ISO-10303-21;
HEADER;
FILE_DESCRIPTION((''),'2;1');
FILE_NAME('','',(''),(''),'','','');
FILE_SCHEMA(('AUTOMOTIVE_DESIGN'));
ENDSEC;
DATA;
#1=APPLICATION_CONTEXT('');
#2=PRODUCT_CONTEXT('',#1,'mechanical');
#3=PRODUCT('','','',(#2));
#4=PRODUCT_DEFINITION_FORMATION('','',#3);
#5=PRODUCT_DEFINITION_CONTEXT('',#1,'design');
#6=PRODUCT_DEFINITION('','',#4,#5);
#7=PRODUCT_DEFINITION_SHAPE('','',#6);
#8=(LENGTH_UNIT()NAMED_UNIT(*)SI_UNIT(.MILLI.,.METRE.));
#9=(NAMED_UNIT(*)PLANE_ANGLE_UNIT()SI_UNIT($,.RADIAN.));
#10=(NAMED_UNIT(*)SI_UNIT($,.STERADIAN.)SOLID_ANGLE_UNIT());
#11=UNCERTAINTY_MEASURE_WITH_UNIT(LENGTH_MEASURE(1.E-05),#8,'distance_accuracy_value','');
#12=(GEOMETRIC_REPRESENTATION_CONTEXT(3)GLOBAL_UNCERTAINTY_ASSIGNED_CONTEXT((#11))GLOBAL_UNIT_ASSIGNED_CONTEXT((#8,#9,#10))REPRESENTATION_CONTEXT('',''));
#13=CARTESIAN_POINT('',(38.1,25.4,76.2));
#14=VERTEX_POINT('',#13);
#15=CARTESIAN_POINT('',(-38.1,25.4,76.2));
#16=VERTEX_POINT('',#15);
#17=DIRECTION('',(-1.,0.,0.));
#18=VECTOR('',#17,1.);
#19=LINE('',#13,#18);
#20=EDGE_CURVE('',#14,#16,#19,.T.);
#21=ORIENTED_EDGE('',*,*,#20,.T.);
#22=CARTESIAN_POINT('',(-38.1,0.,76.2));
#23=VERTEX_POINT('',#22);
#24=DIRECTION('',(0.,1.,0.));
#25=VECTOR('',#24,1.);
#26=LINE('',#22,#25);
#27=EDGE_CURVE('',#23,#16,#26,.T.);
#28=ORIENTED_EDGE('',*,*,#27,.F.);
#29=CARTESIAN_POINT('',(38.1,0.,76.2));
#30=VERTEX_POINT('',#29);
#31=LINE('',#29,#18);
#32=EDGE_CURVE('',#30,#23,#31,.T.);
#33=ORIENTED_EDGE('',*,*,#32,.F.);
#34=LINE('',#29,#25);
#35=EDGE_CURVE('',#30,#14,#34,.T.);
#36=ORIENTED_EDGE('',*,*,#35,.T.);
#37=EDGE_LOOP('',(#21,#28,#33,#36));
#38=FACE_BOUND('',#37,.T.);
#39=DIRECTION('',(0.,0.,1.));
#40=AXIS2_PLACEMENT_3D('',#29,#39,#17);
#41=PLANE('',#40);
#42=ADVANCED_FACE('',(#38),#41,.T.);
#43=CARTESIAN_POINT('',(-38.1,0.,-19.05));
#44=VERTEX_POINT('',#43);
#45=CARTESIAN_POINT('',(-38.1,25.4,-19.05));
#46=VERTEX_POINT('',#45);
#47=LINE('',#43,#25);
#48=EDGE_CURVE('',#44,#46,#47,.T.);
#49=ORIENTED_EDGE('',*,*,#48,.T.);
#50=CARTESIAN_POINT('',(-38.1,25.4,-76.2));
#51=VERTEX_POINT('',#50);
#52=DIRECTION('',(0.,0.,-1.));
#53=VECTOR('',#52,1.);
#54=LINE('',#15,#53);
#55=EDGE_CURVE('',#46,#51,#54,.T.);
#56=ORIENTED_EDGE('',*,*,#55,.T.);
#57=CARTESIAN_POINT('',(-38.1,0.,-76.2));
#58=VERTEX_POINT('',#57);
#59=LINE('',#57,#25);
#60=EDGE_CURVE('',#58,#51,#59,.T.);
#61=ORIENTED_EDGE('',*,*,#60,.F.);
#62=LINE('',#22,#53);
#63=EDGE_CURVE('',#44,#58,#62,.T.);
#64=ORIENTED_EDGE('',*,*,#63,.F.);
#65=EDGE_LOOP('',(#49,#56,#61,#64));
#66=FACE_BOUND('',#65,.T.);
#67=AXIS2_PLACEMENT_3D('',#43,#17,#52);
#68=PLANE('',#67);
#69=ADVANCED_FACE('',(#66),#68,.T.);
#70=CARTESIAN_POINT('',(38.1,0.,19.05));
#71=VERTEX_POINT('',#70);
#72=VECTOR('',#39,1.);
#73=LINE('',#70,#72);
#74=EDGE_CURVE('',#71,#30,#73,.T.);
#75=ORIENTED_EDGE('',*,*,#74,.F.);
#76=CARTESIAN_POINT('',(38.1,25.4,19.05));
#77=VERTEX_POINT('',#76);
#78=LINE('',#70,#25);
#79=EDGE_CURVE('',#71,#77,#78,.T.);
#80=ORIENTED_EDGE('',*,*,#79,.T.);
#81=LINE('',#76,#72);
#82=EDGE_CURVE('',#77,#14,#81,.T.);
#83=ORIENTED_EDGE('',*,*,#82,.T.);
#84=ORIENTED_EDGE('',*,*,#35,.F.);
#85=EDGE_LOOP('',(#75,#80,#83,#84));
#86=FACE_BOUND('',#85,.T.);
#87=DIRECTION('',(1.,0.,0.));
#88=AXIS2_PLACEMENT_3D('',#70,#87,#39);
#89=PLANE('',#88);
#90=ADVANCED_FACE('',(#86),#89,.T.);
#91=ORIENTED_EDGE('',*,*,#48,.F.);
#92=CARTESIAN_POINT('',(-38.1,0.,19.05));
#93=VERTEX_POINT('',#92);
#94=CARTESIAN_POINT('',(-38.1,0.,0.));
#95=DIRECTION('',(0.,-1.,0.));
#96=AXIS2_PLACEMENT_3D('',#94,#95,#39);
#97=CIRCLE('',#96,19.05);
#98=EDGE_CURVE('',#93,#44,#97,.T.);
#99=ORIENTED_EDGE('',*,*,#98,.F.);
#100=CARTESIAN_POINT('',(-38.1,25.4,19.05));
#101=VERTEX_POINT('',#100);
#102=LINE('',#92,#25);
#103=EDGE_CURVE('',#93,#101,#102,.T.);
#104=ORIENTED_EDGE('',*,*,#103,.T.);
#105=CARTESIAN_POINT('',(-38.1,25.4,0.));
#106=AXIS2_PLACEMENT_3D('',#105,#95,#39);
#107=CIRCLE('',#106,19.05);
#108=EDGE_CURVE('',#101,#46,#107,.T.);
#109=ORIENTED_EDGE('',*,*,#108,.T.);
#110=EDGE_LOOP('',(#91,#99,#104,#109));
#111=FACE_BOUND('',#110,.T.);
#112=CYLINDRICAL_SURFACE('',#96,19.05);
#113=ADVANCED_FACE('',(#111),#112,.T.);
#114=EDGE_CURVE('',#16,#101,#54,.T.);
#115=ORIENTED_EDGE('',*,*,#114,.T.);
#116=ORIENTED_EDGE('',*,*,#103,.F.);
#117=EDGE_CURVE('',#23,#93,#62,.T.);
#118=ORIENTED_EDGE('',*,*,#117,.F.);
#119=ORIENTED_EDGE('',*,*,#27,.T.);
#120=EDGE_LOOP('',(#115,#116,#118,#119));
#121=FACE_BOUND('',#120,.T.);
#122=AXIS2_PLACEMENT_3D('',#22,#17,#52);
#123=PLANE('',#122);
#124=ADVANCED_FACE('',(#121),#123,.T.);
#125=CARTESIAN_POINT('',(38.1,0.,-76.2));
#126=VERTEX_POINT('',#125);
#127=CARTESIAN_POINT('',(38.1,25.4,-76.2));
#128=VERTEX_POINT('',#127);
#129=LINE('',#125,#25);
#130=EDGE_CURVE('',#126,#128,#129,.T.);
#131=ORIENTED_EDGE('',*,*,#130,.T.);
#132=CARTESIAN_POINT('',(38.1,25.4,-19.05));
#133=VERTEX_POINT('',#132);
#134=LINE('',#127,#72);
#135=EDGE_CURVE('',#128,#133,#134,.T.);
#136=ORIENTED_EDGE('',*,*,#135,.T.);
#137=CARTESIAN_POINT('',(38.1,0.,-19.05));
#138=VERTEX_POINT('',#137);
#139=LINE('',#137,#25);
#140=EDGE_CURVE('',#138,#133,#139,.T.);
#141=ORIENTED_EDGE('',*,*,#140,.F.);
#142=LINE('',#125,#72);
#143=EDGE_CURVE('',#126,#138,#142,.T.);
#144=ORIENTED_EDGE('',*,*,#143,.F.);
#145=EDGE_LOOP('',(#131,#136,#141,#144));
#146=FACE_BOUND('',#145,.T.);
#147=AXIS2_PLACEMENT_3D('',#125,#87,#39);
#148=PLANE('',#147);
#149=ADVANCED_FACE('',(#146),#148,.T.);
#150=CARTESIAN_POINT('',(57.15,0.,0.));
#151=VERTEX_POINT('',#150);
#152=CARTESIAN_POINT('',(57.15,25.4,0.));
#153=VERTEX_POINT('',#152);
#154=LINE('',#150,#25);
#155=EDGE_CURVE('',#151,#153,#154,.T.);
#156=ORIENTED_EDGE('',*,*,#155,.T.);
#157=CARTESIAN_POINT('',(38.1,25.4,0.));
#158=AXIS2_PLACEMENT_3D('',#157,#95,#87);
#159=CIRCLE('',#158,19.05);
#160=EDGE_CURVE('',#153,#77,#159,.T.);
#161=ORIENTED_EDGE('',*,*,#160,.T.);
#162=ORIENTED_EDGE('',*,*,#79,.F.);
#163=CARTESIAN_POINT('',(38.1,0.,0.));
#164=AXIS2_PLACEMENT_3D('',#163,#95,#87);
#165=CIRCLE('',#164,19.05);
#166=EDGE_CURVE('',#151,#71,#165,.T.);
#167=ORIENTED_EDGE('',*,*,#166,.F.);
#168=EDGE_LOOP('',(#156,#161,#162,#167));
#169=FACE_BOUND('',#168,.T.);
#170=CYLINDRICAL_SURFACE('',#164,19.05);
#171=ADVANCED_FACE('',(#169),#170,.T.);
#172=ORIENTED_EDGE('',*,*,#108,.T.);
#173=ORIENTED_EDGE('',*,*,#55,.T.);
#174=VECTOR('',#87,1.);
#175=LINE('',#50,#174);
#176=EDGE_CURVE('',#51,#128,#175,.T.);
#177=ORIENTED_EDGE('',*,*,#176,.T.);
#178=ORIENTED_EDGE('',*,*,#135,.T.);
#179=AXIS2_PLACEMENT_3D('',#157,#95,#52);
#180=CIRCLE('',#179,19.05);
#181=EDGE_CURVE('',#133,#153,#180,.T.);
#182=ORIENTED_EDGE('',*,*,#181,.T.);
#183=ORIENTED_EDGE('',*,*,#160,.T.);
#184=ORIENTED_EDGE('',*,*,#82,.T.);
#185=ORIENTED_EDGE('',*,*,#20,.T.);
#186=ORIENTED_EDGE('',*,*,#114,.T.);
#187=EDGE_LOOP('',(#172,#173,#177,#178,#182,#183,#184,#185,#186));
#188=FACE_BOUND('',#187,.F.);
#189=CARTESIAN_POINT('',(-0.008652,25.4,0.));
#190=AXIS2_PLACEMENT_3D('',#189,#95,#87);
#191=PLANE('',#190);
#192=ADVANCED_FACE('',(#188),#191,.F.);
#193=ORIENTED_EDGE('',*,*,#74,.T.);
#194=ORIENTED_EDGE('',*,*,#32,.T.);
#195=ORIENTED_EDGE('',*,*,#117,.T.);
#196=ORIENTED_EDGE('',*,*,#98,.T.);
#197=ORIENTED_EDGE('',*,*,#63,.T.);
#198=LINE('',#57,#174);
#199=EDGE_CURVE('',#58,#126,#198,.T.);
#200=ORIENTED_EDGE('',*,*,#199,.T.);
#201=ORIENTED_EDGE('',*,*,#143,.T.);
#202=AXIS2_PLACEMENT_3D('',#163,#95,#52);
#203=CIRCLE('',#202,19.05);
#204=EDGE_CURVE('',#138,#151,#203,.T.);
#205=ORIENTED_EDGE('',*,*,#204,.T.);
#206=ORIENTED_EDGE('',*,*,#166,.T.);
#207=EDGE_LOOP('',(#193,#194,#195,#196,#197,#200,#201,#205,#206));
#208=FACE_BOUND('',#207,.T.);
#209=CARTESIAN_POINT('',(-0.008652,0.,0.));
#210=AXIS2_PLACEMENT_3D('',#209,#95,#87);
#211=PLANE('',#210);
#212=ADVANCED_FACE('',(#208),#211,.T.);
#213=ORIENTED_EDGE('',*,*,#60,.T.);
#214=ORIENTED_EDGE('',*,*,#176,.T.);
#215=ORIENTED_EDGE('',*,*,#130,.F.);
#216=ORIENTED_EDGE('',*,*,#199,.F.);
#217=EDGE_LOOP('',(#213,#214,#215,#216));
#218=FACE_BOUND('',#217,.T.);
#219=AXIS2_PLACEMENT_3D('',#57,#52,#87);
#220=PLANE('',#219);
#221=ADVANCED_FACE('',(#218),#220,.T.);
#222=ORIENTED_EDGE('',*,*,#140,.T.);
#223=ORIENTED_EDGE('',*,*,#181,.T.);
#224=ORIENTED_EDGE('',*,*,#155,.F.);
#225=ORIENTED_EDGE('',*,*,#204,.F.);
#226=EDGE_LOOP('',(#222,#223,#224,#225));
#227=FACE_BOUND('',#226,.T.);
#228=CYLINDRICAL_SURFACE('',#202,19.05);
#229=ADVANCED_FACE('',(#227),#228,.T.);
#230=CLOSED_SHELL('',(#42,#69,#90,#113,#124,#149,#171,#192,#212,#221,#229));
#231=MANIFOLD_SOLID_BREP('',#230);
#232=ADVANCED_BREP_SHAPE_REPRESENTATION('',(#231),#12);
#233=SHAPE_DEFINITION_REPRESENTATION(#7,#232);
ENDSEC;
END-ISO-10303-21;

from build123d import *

# Parameters (mm, degrees)
F1_DEPTH = 25.4


with BuildPart() as f1:
    # F0 (on Front) → F1 (new body)
    with BuildSketch(Plane.XZ):
        with BuildLine():
            Line((38.1, 19.05), (38.1, 76.2))
            Line((38.1, 76.2), (-38.1, 76.2))
            Line((-38.1, 76.2), (-38.1, 19.05))
            ThreePointArc((-38.1, 19.05), (-24.6296158184, 13.4703841816), (-19.05, 0))
            ThreePointArc((-19.05, 0), (-24.6296158184, -13.4703841816), (-38.1, -19.05))
            Line((-38.1, -19.05), (-38.1, -76.2))
            Line((-38.1, -76.2), (38.1, -76.2))
            Line((38.1, -76.2), (38.1, -19.05))
            ThreePointArc((38.1, -19.05), (19.05, 0), (38.1, 19.05))
        make_face()
        with BuildLine():
            ThreePointArc((57.15, 0), (51.5703841816, 13.4703841816), (38.1, 19.05))
            Line((38.1, 19.05), (38.1, -19.05))
            ThreePointArc((38.1, -19.05), (51.5703841816, -13.4703841816), (57.15, 0))
        make_face()
        with BuildLine():
            Line((38.1, -19.05), (38.1, 19.05))
            ThreePointArc((38.1, 19.05), (19.05, 0), (38.1, -19.05))
        make_face()
        with BuildLine():
            ThreePointArc((-19.05, 0), (-24.6296158184, 13.4703841816), (-38.1, 19.05))
            Line((-38.1, 19.05), (-38.1, -19.05))
            ThreePointArc((-38.1, -19.05), (-24.6296158184, -13.4703841816), (-19.05, 0))
        make_face()
        with BuildLine():
            Line((-38.1, -19.05), (-38.1, 19.05))
            ThreePointArc((-38.1, 19.05), (-57.15, 0), (-38.1, -19.05))
        make_face()
    extrude(amount=-F1_DEPTH)


solid = f1.part
